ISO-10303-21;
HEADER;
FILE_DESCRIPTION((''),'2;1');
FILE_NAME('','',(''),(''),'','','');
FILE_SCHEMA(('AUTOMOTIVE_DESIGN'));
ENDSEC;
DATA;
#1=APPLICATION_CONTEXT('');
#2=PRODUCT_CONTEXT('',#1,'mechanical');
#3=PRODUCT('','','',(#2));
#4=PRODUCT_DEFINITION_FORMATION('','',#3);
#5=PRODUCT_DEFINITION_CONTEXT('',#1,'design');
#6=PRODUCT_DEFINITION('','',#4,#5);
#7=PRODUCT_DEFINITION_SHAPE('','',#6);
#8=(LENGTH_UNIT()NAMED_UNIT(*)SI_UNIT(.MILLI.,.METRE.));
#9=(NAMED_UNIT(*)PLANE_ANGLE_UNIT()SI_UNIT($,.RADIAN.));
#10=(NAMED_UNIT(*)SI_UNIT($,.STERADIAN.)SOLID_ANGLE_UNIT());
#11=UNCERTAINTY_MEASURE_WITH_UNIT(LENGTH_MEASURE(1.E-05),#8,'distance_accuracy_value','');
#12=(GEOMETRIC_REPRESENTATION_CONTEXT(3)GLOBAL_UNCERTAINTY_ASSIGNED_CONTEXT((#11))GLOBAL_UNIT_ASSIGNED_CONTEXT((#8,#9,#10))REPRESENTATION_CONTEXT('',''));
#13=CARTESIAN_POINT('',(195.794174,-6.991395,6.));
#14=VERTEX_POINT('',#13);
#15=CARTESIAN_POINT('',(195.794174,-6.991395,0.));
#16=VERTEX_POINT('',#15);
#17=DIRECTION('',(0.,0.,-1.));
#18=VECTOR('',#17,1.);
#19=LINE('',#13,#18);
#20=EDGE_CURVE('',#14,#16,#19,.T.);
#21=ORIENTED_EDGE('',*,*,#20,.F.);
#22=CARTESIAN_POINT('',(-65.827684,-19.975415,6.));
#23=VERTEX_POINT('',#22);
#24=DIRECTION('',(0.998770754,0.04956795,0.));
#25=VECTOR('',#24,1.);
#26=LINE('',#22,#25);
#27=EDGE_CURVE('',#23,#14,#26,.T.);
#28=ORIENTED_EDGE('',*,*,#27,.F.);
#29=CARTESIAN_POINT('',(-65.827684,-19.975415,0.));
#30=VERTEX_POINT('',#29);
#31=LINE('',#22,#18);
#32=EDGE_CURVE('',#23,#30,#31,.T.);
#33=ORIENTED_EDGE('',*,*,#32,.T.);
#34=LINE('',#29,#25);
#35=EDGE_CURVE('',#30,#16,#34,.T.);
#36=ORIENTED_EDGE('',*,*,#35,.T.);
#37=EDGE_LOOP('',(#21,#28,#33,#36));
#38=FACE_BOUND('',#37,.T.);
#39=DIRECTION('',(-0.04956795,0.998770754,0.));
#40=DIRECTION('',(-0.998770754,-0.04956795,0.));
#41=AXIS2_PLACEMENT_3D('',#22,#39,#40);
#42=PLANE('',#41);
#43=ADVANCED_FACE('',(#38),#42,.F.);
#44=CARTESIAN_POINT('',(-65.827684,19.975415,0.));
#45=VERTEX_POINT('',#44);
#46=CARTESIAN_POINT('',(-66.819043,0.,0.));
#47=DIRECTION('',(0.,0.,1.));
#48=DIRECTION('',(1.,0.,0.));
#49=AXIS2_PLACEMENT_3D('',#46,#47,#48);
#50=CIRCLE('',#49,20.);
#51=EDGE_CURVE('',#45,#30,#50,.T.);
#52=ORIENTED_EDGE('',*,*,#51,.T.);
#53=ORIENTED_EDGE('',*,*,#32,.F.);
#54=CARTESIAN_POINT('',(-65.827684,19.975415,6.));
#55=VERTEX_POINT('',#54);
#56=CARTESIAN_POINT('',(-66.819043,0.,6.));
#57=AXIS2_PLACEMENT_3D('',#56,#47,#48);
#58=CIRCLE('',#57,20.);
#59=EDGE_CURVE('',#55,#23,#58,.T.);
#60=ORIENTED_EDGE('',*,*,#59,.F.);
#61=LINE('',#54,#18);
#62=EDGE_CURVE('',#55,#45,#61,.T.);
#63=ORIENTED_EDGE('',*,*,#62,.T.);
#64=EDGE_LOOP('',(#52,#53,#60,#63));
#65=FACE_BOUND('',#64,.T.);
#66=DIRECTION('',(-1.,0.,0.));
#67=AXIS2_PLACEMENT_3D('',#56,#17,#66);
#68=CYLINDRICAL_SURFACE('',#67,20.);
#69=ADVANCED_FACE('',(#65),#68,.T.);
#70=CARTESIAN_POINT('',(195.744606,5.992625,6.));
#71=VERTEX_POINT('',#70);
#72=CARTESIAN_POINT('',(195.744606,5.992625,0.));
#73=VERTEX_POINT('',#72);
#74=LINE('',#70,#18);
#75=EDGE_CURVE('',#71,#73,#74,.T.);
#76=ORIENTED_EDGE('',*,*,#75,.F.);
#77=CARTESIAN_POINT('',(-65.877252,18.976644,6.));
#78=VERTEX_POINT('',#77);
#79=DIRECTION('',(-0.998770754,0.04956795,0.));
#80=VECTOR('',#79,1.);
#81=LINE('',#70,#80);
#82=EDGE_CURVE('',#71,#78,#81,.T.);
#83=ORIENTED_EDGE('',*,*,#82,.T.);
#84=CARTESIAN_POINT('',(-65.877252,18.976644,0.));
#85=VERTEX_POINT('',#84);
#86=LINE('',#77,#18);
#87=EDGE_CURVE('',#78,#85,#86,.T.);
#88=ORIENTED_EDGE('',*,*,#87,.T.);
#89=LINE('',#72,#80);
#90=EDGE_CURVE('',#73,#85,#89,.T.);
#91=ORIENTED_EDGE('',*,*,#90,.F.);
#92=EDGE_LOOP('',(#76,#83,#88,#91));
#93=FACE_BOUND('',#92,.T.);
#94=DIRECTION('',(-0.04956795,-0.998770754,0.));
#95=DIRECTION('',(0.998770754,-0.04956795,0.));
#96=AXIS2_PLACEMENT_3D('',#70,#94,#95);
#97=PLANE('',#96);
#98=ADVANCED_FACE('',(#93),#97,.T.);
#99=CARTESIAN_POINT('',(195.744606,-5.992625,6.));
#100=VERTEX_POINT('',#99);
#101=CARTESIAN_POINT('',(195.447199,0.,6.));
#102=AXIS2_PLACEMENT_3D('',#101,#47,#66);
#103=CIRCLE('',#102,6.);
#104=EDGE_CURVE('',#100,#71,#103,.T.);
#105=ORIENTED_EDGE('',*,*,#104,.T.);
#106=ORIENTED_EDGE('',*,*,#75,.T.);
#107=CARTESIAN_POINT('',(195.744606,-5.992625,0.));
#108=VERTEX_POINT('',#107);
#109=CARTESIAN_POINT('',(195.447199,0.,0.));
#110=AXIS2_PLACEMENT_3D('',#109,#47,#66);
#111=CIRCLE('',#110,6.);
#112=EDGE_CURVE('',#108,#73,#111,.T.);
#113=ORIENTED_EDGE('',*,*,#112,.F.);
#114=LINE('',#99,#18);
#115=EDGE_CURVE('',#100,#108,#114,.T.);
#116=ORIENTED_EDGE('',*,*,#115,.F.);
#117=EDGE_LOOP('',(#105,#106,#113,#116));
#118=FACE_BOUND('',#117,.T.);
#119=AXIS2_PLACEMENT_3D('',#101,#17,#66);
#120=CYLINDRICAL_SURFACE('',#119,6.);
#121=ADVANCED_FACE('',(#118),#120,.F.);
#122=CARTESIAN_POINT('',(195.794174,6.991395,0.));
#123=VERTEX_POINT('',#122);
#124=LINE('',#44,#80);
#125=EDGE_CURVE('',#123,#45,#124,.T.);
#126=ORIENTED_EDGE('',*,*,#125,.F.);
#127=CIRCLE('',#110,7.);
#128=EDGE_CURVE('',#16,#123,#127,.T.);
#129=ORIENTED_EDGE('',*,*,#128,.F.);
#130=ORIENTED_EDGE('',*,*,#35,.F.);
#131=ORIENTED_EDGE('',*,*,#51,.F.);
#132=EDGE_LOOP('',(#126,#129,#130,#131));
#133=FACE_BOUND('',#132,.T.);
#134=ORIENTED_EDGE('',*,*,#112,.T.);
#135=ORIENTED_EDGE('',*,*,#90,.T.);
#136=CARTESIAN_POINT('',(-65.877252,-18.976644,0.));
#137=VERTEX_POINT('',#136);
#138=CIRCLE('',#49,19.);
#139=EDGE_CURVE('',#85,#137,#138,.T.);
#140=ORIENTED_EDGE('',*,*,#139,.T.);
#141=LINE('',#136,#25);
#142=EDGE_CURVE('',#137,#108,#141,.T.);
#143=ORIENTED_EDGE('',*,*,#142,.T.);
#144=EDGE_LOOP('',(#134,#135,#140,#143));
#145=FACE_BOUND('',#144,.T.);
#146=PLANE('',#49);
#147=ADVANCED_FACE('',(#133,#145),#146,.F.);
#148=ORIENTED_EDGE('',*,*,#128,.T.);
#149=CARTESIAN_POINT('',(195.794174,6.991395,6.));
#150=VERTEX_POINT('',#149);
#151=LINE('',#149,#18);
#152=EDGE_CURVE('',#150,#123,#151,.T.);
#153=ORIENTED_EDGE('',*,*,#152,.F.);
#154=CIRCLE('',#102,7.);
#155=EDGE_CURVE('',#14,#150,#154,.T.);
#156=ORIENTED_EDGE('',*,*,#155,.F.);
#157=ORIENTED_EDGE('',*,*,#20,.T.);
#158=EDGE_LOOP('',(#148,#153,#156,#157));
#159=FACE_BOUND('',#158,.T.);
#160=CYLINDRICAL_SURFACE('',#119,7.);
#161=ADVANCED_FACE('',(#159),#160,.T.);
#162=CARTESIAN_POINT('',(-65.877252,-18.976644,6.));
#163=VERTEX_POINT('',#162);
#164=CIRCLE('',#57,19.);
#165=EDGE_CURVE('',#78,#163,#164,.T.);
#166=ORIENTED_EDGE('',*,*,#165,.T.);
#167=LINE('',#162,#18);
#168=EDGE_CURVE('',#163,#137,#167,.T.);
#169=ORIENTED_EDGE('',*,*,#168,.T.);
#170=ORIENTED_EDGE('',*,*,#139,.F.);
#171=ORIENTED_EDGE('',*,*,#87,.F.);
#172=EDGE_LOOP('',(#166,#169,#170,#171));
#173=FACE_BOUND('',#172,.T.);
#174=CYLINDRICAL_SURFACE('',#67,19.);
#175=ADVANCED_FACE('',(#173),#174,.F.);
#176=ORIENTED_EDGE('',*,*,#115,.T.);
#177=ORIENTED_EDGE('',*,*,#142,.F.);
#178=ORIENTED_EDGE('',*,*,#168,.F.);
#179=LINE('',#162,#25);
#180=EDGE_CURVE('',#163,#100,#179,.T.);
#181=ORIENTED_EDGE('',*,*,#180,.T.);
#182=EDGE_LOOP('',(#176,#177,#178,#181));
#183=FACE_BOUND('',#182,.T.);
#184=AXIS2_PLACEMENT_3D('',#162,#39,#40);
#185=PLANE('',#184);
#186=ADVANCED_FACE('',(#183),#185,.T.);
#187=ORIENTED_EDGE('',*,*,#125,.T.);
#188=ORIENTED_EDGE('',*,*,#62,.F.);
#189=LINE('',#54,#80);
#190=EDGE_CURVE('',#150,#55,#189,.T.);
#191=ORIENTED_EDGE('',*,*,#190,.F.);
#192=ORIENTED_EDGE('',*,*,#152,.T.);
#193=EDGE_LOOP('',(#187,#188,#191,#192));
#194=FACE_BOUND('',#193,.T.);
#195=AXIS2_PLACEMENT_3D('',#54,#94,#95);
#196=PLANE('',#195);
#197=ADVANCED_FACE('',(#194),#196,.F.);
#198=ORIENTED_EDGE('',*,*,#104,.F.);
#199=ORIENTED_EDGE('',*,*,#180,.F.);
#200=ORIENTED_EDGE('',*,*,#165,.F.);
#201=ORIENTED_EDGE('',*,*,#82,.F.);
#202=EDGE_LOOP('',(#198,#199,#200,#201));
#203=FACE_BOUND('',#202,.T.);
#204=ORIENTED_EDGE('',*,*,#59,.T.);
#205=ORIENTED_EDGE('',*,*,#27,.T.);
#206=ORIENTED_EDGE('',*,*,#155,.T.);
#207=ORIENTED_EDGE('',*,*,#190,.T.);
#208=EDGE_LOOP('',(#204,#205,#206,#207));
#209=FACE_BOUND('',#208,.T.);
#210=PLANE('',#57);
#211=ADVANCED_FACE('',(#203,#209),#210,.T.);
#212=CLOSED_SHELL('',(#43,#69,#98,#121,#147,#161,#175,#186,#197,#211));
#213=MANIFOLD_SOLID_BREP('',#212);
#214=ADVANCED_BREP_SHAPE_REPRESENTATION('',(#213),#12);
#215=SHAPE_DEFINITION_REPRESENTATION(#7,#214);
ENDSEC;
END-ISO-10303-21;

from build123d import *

# Parameters (mm, degrees)
BOSS_EXTRUDE1_DEPTH = 6


with BuildPart() as part:
    # Sketch1 → Boss-Extrude1 (new body)
    with BuildSketch(Plane.XY):
        with BuildLine():
            Line((-65.827683703, 19.975415073), (195.794174427, 6.991395275))
            ThreePointArc((195.794174427, 6.991395275), (202.447198776, 0), (195.794174427, -6.991395275))
            Line((195.794174427, -6.991395275), (-65.827683703, -19.975415073))
            ThreePointArc((-65.827683703, -19.975415073), (-86.819042707, 0), (-65.827683703, 19.975415073))
        make_face()
        with BuildLine():
            Line((195.744606477, 5.992624522), (-65.877251653, 18.976644319))
            ThreePointArc((-65.877251653, 18.976644319), (-85.819042707, 0), (-65.877251653, -18.976644319))
            Line((-65.877251653, -18.976644319), (195.744606477, -5.992624522))
            ThreePointArc((195.744606477, -5.992624522), (201.447198776, 0), (195.744606477, 5.992624522))
        make_face(mode=Mode.SUBTRACT)
    extrude(amount=BOSS_EXTRUDE1_DEPTH)


solid = part.part
